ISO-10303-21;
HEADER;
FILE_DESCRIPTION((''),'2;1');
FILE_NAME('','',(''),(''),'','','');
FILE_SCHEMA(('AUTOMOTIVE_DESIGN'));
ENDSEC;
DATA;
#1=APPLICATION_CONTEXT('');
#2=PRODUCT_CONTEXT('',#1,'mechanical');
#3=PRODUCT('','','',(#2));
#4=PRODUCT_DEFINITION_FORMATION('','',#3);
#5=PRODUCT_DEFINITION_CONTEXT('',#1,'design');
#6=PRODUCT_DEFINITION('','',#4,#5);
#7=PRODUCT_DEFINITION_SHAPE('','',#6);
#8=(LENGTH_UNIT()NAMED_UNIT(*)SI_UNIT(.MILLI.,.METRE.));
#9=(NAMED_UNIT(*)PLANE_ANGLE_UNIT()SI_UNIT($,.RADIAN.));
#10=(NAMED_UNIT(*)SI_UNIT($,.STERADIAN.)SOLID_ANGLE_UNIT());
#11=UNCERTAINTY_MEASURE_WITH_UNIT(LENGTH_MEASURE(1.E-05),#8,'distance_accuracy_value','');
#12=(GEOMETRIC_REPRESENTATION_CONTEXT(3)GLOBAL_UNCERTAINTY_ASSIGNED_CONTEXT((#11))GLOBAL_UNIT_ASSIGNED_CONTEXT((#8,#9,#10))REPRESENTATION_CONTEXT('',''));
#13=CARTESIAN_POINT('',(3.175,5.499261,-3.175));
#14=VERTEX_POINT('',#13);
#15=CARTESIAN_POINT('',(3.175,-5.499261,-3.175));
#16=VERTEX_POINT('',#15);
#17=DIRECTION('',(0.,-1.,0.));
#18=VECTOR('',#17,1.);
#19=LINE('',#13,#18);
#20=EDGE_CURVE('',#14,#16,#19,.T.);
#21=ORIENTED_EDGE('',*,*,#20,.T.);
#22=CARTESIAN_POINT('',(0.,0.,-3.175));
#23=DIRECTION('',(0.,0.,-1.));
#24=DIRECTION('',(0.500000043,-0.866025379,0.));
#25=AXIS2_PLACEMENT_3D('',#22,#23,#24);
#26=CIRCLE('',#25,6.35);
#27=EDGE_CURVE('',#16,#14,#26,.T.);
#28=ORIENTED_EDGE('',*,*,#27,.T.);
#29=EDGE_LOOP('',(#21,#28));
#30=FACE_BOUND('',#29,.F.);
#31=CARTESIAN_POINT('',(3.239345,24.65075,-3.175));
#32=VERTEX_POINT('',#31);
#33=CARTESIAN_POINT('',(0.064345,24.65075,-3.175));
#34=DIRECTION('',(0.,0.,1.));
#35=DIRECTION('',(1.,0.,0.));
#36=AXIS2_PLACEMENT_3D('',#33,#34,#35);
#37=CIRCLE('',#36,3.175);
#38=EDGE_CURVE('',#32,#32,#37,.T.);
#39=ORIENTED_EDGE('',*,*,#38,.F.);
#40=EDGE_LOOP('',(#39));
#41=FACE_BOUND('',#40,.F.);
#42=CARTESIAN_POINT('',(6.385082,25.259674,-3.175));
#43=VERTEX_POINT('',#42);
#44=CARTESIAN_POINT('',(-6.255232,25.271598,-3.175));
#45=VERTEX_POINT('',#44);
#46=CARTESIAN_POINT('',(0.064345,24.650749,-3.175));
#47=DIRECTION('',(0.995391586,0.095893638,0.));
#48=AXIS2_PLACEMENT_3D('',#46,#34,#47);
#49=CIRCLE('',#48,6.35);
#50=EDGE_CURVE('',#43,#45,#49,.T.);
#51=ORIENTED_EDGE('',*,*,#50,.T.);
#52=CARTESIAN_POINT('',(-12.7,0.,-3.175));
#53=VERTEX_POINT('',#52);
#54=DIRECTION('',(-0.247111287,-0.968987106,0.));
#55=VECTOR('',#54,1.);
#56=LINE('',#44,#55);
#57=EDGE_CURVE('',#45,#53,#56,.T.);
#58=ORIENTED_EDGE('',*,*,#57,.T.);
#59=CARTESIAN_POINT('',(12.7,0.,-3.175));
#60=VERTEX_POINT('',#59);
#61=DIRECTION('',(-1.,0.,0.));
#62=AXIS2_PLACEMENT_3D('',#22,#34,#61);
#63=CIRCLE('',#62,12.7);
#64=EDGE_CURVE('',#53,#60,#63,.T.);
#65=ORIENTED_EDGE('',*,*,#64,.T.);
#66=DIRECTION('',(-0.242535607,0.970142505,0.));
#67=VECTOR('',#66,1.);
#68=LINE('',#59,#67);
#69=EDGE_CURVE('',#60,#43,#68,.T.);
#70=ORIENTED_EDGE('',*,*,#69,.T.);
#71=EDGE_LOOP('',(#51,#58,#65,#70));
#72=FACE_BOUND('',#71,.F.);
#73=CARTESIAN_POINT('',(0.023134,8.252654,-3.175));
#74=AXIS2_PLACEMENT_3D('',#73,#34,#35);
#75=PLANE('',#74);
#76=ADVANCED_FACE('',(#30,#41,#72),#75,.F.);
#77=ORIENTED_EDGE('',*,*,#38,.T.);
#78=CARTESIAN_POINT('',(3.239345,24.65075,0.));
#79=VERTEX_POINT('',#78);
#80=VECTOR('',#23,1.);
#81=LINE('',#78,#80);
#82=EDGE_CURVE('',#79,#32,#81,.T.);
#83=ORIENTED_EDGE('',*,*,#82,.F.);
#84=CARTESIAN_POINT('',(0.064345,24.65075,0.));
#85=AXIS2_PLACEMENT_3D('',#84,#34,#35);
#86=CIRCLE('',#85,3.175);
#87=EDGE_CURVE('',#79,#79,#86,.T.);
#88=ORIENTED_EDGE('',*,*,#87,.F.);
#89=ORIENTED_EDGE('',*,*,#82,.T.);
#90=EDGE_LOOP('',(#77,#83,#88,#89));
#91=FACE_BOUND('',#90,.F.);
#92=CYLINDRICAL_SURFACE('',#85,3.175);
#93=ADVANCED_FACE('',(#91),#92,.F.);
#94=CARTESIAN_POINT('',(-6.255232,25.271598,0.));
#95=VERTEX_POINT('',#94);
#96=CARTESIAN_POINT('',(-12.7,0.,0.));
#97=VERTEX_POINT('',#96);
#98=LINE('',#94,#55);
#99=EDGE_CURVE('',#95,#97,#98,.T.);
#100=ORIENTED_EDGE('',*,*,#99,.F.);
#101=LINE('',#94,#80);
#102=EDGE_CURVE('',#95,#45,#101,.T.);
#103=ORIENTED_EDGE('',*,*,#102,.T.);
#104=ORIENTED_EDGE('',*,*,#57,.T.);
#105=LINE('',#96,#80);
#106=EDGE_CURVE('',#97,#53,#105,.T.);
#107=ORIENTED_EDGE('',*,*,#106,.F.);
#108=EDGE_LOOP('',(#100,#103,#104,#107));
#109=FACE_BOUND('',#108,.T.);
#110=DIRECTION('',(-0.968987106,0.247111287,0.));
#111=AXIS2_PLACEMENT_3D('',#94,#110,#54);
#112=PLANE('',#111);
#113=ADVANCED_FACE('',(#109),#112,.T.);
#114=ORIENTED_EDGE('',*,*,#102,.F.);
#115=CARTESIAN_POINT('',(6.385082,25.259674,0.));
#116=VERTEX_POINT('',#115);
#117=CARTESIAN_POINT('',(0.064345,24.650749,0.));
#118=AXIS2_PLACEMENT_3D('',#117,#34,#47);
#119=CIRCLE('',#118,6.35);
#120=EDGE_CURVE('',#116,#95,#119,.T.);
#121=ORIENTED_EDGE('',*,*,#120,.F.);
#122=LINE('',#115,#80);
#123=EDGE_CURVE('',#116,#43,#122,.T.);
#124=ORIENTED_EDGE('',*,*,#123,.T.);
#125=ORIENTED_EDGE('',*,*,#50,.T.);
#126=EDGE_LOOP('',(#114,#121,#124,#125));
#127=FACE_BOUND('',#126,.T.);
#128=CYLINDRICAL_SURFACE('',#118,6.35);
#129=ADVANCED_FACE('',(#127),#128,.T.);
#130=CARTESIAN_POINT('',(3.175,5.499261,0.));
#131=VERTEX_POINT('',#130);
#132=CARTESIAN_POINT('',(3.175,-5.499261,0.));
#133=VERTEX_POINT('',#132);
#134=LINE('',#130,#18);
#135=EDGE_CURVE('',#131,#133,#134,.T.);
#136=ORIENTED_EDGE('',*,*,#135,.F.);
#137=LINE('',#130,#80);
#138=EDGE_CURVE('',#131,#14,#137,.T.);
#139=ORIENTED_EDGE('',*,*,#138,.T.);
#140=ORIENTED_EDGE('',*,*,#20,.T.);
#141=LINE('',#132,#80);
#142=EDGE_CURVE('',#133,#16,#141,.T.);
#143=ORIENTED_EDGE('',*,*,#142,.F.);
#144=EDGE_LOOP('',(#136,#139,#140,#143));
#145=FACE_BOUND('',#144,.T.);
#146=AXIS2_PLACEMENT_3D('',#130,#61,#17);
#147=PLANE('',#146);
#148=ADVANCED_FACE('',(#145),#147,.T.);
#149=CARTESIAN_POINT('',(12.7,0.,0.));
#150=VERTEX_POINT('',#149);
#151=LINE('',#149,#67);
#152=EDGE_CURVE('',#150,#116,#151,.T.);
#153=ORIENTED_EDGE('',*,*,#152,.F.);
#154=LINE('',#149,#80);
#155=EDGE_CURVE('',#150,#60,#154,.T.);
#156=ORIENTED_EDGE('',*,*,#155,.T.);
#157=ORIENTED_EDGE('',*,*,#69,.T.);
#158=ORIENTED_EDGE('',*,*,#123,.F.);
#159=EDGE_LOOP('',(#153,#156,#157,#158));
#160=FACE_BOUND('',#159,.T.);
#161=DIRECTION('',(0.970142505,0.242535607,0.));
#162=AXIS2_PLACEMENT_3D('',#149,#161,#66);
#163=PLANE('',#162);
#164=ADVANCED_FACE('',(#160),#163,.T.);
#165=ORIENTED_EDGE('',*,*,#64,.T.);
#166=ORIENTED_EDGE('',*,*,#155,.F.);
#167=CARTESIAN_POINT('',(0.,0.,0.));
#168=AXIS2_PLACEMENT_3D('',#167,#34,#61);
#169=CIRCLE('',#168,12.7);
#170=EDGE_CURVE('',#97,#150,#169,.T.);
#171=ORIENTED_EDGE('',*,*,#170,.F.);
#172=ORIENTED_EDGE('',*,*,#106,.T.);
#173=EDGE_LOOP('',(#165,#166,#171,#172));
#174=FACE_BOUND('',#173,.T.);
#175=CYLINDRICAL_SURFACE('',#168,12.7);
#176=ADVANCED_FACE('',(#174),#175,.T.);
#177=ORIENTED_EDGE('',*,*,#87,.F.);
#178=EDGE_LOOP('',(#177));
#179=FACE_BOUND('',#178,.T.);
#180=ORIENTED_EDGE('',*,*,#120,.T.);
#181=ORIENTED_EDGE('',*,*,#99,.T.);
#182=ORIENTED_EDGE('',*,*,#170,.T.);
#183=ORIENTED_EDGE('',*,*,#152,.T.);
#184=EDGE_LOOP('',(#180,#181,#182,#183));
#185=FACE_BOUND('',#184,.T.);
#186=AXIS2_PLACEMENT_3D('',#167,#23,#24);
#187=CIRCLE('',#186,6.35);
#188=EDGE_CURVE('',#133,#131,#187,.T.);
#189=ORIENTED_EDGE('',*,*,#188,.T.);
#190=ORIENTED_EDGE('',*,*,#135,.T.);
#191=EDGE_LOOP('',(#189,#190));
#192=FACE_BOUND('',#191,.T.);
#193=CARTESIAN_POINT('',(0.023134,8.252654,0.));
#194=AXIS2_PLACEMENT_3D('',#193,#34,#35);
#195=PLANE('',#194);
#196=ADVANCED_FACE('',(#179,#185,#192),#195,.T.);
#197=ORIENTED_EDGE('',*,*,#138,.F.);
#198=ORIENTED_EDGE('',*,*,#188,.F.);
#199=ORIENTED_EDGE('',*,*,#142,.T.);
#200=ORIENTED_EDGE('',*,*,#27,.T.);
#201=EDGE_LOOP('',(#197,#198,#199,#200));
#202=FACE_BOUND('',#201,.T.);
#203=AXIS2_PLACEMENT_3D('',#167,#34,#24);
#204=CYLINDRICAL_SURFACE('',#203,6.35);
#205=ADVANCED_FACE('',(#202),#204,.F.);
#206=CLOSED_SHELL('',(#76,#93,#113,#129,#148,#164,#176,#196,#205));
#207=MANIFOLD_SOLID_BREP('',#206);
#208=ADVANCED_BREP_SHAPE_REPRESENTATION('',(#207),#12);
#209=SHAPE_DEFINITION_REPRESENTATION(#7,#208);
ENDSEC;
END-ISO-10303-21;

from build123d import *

# Parameters (mm, degrees)
F0_R     = 3.175
F1_DEPTH = 3.175


with BuildPart() as f1:
    # F0 (on Top) → F1 (new body)
    with BuildSketch(Plane.XY):
        with BuildLine():
            Line((-6.255232, 25.271598), (-12.7, 0))
            ThreePointArc((-12.7, 0), (0, -12.7), (12.7, 0))
            Line((12.7, 0), (6.385082, 25.259674))
            ThreePointArc((6.385082, 25.259674), (0.070335, 31.000747), (-6.255232, 25.271598))
        make_face()
        with BuildLine():
            ThreePointArc((3.175, -5.499261), (-6.35, 0), (3.175, 5.499261))
            Line((3.175, 5.499261), (3.175, -5.499261))
        make_face(mode=Mode.SUBTRACT)
        with Locations((0.064345, 24.65075)):
            Circle(F0_R, mode=Mode.SUBTRACT)
    extrude(amount=-F1_DEPTH)


solid = f1.part
